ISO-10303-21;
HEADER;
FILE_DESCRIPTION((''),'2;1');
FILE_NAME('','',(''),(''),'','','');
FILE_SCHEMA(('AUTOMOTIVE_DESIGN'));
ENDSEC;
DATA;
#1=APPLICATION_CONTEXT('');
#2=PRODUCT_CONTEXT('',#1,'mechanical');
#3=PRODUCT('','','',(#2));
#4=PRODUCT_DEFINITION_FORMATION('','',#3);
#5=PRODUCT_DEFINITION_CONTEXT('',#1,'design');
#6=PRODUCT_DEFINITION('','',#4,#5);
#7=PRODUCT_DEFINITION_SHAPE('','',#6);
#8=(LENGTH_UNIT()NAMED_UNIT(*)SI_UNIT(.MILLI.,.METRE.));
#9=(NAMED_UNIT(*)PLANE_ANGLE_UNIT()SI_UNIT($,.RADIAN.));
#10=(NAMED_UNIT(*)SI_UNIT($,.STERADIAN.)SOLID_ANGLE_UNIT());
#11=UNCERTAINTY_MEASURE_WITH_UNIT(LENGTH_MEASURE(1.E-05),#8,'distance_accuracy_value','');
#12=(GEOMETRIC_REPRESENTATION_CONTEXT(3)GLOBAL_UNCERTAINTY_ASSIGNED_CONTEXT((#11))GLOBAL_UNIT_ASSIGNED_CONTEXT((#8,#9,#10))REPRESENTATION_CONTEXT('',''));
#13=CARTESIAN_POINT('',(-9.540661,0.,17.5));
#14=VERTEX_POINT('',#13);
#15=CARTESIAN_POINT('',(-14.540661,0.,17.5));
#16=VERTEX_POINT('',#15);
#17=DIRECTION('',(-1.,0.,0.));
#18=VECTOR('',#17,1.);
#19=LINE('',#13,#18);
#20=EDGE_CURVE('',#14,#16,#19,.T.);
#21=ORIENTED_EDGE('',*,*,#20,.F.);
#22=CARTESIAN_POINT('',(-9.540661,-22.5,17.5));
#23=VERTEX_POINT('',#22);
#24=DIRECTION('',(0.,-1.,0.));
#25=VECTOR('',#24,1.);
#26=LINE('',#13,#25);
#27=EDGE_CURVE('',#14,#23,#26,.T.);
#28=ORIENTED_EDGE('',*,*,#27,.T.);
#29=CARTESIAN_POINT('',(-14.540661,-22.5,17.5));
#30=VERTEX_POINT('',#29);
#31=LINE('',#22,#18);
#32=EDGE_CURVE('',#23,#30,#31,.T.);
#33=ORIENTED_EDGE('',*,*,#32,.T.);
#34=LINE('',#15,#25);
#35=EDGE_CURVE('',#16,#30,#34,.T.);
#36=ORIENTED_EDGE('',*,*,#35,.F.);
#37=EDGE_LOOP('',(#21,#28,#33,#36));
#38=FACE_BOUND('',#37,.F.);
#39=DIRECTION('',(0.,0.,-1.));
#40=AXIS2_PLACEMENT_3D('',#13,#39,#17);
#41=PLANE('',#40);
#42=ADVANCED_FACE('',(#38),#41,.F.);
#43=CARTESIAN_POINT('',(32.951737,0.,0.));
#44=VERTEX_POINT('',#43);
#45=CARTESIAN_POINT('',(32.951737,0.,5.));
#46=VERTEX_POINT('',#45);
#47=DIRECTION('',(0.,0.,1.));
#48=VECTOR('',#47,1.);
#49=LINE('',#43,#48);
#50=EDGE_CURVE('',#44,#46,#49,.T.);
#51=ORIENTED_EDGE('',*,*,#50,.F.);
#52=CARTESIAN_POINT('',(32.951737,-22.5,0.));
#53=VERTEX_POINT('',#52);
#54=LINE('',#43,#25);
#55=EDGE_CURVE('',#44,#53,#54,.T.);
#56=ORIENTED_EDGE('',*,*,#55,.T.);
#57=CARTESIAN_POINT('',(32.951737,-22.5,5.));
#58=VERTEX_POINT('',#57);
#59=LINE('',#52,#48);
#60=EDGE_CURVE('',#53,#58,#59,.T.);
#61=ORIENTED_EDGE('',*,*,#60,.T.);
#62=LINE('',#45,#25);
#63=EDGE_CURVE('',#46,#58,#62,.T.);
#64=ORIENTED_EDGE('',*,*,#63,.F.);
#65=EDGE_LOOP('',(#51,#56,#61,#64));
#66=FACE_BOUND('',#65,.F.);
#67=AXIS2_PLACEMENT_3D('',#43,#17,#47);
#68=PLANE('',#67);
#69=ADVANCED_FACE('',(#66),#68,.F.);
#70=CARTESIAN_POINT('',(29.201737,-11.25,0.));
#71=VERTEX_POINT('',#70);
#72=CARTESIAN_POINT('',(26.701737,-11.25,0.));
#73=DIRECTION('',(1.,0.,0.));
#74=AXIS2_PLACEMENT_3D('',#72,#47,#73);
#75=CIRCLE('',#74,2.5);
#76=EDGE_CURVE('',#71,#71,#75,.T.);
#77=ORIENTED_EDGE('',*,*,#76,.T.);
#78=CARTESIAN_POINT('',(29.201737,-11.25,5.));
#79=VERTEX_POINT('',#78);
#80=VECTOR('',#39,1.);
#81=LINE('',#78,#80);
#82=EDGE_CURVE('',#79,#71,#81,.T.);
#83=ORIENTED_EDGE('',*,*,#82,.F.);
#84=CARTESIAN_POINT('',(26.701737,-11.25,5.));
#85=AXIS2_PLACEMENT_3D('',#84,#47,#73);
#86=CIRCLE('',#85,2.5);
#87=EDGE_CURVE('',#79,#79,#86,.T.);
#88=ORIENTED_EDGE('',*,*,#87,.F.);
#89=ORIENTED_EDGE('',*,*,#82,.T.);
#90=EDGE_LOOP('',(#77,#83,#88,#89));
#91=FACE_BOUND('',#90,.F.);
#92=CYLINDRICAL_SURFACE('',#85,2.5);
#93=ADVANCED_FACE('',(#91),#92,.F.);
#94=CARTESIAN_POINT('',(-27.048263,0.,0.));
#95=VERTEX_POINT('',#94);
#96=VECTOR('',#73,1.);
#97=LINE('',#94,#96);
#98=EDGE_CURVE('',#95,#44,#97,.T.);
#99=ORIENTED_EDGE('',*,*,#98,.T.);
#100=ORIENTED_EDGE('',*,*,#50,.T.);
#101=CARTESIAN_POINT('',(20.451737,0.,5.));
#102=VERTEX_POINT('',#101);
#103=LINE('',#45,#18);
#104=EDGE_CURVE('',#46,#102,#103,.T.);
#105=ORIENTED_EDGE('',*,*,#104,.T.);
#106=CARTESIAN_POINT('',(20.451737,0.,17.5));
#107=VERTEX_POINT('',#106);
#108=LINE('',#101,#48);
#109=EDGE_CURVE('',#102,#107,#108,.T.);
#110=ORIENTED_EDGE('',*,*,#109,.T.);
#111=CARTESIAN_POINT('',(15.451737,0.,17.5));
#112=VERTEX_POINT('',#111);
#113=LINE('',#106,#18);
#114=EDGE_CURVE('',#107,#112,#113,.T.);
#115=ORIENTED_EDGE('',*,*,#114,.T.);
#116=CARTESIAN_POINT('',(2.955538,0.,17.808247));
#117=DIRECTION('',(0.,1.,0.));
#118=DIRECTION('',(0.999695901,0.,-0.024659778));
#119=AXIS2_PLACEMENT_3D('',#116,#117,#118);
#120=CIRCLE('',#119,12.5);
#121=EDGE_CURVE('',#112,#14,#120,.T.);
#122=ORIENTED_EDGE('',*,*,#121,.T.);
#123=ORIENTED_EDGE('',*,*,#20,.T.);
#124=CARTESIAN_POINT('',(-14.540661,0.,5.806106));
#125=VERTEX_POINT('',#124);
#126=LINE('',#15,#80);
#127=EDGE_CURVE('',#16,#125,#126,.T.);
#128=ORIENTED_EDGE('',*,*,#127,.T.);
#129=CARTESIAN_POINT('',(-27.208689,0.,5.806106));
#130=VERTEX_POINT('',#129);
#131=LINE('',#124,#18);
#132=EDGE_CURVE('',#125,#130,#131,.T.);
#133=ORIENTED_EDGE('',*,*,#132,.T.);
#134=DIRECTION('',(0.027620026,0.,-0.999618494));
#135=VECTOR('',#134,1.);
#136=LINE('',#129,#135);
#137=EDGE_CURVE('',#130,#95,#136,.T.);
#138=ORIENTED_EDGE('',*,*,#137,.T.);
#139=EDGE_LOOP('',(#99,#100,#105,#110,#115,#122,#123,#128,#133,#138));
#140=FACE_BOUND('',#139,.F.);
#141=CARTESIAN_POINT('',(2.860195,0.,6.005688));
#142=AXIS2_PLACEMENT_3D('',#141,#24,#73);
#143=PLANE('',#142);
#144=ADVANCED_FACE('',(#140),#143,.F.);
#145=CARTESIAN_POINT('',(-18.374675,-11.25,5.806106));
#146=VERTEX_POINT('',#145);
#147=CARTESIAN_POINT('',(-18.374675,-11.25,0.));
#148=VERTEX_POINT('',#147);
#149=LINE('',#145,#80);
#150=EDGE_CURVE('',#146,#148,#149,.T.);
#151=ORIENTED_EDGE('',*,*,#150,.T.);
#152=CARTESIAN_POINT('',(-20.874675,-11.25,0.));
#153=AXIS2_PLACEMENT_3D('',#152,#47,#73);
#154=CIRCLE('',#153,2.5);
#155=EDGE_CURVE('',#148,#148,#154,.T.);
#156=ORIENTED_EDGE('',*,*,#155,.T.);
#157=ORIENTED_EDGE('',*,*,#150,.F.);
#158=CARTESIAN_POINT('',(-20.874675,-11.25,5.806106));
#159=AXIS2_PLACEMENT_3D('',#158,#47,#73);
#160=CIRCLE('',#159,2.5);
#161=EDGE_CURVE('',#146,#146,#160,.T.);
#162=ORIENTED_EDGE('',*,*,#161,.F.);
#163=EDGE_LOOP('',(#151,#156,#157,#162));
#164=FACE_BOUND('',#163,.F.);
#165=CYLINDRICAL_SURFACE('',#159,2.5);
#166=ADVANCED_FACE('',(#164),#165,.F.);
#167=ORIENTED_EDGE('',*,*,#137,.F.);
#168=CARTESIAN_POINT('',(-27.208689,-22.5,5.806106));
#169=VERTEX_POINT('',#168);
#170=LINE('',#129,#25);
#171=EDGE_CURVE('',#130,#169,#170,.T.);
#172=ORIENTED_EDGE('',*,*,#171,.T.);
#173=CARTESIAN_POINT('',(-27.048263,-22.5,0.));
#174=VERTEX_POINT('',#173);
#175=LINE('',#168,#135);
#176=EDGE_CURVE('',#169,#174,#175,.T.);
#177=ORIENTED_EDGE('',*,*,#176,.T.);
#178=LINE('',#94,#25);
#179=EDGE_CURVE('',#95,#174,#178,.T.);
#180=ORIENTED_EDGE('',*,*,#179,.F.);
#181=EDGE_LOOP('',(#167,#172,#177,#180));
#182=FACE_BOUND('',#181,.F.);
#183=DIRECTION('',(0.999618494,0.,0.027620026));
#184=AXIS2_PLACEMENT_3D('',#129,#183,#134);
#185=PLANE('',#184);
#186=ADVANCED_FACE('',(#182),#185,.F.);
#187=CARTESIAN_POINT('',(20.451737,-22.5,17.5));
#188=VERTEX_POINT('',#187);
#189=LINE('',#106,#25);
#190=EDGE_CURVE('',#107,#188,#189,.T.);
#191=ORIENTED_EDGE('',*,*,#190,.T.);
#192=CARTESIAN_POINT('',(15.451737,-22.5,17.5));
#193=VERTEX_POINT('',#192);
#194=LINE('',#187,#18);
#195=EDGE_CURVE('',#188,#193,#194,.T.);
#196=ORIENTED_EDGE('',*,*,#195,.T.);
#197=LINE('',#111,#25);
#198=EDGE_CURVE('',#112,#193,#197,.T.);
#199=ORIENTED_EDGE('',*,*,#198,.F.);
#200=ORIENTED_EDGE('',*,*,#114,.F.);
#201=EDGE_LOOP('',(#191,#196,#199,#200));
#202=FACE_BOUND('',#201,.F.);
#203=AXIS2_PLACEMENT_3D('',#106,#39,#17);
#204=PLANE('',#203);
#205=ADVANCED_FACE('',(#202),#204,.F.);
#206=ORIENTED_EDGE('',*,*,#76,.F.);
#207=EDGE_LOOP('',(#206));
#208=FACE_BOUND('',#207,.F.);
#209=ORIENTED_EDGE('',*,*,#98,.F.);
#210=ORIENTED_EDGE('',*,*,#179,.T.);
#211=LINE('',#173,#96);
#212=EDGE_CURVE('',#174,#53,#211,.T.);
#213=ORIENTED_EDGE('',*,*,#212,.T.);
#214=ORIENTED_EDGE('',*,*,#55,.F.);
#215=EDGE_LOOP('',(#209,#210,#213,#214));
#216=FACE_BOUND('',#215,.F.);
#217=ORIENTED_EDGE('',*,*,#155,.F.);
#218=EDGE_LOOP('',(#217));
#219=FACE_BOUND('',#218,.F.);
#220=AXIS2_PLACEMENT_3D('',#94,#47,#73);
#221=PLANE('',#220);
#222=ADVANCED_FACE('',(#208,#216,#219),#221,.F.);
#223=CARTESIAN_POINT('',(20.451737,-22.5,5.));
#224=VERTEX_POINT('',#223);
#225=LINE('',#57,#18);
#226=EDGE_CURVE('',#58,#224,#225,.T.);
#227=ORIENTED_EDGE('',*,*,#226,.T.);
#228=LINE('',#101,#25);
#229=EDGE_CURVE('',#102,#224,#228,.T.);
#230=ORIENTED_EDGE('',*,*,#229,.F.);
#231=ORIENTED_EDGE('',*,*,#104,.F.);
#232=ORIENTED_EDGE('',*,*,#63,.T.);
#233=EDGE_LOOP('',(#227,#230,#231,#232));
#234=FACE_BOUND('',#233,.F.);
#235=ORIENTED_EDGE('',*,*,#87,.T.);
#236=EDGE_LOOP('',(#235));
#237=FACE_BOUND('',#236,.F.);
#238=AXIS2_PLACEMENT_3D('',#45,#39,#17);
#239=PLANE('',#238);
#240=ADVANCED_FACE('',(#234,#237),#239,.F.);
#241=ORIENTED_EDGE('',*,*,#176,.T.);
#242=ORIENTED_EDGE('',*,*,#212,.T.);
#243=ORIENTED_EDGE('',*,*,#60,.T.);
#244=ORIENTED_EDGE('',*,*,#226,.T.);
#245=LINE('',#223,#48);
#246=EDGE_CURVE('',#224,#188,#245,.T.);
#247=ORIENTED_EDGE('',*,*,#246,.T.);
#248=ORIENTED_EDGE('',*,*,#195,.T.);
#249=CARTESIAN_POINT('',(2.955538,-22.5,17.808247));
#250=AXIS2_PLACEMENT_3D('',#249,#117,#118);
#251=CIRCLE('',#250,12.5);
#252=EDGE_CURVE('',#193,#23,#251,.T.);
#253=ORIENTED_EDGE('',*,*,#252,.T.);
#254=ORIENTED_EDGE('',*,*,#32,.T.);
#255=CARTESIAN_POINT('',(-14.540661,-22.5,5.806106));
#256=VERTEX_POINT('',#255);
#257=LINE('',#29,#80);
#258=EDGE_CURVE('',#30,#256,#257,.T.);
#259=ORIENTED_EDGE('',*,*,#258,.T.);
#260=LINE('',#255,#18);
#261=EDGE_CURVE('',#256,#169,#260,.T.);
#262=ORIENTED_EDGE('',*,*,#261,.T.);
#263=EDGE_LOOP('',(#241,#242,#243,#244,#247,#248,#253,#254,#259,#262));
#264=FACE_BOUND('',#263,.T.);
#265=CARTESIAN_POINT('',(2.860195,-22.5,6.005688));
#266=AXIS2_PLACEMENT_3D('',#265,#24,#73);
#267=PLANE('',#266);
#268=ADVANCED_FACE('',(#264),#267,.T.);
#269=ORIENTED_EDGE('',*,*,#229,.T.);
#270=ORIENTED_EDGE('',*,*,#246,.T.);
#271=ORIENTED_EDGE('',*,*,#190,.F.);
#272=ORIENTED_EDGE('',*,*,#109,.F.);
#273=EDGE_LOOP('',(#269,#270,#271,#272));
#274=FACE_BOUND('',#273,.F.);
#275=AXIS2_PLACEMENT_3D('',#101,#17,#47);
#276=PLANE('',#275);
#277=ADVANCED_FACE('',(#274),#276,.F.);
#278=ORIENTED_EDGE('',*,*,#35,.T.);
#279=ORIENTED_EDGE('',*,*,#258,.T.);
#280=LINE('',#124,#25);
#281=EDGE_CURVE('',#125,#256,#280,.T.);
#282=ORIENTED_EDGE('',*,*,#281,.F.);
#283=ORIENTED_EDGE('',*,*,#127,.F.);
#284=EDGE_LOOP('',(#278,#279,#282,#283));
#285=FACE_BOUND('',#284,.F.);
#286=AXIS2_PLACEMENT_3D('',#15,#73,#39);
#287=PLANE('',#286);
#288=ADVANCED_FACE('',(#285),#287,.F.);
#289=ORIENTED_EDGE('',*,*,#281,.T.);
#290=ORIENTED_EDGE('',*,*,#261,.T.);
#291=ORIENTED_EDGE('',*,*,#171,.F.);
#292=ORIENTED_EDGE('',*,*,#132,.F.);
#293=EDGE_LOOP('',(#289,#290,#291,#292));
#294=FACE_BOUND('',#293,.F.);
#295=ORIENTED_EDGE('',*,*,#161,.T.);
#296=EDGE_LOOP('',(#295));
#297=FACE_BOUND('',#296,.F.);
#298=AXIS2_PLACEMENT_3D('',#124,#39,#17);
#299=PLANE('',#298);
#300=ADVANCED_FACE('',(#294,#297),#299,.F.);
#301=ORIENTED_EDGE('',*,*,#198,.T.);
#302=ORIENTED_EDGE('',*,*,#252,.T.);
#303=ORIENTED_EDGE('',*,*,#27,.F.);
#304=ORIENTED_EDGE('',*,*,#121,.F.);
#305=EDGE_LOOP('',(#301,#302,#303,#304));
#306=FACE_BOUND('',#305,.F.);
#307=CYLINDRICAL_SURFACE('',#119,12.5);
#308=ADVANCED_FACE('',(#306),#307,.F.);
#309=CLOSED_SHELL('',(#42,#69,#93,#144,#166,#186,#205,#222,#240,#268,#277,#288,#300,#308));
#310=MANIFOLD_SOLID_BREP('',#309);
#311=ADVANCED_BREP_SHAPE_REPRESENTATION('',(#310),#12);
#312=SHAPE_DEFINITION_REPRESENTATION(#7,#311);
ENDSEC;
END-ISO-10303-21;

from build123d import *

# Parameters (mm, degrees)
F1_DEPTH = 22.5
F2_R     = 2.5
F3_DEPTH = 5.001
F4_R     = 2.5
F5_DEPTH = 5.807106


with BuildPart() as f1:
    # F0 (on Front) → F1 (new body)
    with BuildSketch(Plane.XZ):
        with BuildLine():
            Line((-27.208689, 5.806106), (-27.048263, 0))
            Line((-27.048263, 0), (32.951737, 0))
            Line((32.951737, 0), (32.951737, 5))
            Line((32.951737, 5), (20.451737, 5))
            Line((20.451737, 5), (20.451737, 17.5))
            Line((20.451737, 17.5), (15.451737, 17.5))
            ThreePointArc((15.451737, 17.5), (2.955538, 5.308247), (-9.540661, 17.5))
            Line((-9.540661, 17.5), (-14.540661, 17.5))
            Line((-14.540661, 17.5), (-14.540661, 5.806106))
            Line((-14.540661, 5.806106), (-14.708689, 5.806106))
            Line((-14.708689, 5.806106), (-27.208689, 5.806106))
        make_face()
    extrude(amount=F1_DEPTH)

    # F2 (on face) → F3 (cut, through all)
    with BuildSketch(Plane.XY.offset(5)):
        with Locations((26.701737, -11.25)):
            Circle(F2_R)
    extrude(amount=-F3_DEPTH, mode=Mode.SUBTRACT)

    # F4 (on face) → F5 (cut, through all)
    with BuildSketch(Plane.XY.offset(5.806106)):
        with Locations((-20.874675, -11.25)):
            Circle(F4_R)
    extrude(amount=-F5_DEPTH, mode=Mode.SUBTRACT)


solid = f1.part
